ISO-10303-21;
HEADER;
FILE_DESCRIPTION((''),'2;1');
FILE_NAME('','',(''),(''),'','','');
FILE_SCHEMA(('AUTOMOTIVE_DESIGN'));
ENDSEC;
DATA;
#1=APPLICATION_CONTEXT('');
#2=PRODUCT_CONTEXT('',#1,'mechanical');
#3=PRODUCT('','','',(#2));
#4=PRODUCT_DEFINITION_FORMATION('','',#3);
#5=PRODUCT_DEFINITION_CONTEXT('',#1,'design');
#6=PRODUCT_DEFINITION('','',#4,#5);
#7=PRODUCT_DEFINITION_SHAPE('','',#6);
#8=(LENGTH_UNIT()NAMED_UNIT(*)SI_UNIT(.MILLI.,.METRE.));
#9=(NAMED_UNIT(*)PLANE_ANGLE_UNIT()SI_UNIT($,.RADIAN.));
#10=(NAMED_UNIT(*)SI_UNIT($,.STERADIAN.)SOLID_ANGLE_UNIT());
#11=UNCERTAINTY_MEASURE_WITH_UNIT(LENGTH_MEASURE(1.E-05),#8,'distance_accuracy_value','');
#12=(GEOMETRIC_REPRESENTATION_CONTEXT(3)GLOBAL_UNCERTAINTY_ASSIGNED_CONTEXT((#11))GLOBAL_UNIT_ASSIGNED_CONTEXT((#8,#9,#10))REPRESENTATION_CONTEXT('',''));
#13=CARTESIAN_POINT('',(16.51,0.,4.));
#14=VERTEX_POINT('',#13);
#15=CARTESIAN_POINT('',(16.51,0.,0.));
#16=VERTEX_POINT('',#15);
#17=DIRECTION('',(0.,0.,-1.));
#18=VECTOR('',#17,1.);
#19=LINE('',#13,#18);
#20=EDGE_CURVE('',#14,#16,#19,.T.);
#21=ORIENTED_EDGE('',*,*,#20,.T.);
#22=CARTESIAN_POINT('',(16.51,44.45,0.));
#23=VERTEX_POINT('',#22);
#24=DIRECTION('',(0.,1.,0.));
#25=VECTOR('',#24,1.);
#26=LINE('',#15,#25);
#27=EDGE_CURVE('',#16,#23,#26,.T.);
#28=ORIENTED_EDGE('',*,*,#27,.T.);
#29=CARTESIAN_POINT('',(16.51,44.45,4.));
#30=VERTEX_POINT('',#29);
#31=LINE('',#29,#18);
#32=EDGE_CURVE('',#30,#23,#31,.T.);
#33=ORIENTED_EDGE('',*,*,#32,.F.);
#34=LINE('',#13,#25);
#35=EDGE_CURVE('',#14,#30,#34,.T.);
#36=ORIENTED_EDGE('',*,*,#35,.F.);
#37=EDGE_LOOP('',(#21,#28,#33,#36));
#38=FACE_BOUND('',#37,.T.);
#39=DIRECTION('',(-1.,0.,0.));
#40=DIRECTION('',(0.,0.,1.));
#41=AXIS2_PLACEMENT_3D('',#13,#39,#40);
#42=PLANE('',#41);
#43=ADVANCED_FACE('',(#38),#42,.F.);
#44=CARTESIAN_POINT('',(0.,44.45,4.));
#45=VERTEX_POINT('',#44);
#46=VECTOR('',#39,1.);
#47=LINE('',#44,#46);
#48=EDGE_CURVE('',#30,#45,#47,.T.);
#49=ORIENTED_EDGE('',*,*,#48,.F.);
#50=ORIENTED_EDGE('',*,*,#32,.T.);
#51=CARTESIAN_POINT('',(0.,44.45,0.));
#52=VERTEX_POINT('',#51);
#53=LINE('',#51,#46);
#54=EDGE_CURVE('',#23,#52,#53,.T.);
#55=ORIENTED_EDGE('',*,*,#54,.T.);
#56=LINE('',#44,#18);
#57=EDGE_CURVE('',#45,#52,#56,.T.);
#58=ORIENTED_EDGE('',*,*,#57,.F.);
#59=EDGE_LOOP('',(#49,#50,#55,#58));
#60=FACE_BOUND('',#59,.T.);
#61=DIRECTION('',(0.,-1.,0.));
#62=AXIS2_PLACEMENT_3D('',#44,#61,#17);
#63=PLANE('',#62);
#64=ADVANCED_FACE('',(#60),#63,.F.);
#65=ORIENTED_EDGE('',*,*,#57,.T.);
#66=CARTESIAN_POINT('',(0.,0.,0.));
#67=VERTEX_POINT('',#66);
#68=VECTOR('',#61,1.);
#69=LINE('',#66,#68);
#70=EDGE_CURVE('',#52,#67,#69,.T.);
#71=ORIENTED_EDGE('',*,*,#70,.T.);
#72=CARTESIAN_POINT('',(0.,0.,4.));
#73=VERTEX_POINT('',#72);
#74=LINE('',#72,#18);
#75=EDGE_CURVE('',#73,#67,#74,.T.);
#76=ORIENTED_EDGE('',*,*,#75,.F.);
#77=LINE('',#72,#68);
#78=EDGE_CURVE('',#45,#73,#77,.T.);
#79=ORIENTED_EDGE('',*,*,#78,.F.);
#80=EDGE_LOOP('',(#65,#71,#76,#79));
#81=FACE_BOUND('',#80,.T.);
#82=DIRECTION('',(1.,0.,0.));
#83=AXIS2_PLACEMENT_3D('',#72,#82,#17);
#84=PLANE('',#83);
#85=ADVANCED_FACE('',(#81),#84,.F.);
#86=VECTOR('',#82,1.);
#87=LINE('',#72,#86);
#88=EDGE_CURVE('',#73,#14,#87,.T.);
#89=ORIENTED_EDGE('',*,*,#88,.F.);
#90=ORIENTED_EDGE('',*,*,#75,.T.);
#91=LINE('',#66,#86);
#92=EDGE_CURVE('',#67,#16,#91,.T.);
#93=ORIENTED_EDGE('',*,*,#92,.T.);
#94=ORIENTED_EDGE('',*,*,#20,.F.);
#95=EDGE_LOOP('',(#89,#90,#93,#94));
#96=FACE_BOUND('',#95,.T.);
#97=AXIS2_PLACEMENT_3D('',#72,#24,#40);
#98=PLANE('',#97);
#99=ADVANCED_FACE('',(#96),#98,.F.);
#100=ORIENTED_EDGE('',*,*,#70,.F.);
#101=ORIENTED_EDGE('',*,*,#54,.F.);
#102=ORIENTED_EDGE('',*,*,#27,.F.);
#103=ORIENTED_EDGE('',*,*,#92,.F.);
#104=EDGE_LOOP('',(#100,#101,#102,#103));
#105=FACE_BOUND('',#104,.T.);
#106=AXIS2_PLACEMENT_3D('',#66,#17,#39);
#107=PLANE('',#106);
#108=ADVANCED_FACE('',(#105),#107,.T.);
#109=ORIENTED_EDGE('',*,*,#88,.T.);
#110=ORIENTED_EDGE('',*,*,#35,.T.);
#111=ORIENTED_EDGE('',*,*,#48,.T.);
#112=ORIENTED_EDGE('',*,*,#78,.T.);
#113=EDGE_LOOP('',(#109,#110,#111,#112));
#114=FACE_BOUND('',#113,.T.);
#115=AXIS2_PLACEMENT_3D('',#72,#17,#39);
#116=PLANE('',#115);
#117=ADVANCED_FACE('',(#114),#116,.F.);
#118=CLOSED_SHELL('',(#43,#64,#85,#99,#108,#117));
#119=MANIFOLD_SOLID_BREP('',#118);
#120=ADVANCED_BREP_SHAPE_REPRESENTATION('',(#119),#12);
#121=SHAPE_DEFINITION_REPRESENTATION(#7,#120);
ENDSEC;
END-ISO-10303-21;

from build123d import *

# Parameters (mm, degrees)
SKETCH1_W           = 16.51
SKETCH1_H           = 44.45
BOSS_EXTRUDE1_DEPTH = 4


with BuildPart() as part:
    # Sketch1 → Boss-Extrude1 (new body)
    with BuildSketch(Plane.XY):
        with Locations((8.255, 22.225)):
            Rectangle(SKETCH1_W, SKETCH1_H)
    extrude(amount=BOSS_EXTRUDE1_DEPTH)


solid = part.part
